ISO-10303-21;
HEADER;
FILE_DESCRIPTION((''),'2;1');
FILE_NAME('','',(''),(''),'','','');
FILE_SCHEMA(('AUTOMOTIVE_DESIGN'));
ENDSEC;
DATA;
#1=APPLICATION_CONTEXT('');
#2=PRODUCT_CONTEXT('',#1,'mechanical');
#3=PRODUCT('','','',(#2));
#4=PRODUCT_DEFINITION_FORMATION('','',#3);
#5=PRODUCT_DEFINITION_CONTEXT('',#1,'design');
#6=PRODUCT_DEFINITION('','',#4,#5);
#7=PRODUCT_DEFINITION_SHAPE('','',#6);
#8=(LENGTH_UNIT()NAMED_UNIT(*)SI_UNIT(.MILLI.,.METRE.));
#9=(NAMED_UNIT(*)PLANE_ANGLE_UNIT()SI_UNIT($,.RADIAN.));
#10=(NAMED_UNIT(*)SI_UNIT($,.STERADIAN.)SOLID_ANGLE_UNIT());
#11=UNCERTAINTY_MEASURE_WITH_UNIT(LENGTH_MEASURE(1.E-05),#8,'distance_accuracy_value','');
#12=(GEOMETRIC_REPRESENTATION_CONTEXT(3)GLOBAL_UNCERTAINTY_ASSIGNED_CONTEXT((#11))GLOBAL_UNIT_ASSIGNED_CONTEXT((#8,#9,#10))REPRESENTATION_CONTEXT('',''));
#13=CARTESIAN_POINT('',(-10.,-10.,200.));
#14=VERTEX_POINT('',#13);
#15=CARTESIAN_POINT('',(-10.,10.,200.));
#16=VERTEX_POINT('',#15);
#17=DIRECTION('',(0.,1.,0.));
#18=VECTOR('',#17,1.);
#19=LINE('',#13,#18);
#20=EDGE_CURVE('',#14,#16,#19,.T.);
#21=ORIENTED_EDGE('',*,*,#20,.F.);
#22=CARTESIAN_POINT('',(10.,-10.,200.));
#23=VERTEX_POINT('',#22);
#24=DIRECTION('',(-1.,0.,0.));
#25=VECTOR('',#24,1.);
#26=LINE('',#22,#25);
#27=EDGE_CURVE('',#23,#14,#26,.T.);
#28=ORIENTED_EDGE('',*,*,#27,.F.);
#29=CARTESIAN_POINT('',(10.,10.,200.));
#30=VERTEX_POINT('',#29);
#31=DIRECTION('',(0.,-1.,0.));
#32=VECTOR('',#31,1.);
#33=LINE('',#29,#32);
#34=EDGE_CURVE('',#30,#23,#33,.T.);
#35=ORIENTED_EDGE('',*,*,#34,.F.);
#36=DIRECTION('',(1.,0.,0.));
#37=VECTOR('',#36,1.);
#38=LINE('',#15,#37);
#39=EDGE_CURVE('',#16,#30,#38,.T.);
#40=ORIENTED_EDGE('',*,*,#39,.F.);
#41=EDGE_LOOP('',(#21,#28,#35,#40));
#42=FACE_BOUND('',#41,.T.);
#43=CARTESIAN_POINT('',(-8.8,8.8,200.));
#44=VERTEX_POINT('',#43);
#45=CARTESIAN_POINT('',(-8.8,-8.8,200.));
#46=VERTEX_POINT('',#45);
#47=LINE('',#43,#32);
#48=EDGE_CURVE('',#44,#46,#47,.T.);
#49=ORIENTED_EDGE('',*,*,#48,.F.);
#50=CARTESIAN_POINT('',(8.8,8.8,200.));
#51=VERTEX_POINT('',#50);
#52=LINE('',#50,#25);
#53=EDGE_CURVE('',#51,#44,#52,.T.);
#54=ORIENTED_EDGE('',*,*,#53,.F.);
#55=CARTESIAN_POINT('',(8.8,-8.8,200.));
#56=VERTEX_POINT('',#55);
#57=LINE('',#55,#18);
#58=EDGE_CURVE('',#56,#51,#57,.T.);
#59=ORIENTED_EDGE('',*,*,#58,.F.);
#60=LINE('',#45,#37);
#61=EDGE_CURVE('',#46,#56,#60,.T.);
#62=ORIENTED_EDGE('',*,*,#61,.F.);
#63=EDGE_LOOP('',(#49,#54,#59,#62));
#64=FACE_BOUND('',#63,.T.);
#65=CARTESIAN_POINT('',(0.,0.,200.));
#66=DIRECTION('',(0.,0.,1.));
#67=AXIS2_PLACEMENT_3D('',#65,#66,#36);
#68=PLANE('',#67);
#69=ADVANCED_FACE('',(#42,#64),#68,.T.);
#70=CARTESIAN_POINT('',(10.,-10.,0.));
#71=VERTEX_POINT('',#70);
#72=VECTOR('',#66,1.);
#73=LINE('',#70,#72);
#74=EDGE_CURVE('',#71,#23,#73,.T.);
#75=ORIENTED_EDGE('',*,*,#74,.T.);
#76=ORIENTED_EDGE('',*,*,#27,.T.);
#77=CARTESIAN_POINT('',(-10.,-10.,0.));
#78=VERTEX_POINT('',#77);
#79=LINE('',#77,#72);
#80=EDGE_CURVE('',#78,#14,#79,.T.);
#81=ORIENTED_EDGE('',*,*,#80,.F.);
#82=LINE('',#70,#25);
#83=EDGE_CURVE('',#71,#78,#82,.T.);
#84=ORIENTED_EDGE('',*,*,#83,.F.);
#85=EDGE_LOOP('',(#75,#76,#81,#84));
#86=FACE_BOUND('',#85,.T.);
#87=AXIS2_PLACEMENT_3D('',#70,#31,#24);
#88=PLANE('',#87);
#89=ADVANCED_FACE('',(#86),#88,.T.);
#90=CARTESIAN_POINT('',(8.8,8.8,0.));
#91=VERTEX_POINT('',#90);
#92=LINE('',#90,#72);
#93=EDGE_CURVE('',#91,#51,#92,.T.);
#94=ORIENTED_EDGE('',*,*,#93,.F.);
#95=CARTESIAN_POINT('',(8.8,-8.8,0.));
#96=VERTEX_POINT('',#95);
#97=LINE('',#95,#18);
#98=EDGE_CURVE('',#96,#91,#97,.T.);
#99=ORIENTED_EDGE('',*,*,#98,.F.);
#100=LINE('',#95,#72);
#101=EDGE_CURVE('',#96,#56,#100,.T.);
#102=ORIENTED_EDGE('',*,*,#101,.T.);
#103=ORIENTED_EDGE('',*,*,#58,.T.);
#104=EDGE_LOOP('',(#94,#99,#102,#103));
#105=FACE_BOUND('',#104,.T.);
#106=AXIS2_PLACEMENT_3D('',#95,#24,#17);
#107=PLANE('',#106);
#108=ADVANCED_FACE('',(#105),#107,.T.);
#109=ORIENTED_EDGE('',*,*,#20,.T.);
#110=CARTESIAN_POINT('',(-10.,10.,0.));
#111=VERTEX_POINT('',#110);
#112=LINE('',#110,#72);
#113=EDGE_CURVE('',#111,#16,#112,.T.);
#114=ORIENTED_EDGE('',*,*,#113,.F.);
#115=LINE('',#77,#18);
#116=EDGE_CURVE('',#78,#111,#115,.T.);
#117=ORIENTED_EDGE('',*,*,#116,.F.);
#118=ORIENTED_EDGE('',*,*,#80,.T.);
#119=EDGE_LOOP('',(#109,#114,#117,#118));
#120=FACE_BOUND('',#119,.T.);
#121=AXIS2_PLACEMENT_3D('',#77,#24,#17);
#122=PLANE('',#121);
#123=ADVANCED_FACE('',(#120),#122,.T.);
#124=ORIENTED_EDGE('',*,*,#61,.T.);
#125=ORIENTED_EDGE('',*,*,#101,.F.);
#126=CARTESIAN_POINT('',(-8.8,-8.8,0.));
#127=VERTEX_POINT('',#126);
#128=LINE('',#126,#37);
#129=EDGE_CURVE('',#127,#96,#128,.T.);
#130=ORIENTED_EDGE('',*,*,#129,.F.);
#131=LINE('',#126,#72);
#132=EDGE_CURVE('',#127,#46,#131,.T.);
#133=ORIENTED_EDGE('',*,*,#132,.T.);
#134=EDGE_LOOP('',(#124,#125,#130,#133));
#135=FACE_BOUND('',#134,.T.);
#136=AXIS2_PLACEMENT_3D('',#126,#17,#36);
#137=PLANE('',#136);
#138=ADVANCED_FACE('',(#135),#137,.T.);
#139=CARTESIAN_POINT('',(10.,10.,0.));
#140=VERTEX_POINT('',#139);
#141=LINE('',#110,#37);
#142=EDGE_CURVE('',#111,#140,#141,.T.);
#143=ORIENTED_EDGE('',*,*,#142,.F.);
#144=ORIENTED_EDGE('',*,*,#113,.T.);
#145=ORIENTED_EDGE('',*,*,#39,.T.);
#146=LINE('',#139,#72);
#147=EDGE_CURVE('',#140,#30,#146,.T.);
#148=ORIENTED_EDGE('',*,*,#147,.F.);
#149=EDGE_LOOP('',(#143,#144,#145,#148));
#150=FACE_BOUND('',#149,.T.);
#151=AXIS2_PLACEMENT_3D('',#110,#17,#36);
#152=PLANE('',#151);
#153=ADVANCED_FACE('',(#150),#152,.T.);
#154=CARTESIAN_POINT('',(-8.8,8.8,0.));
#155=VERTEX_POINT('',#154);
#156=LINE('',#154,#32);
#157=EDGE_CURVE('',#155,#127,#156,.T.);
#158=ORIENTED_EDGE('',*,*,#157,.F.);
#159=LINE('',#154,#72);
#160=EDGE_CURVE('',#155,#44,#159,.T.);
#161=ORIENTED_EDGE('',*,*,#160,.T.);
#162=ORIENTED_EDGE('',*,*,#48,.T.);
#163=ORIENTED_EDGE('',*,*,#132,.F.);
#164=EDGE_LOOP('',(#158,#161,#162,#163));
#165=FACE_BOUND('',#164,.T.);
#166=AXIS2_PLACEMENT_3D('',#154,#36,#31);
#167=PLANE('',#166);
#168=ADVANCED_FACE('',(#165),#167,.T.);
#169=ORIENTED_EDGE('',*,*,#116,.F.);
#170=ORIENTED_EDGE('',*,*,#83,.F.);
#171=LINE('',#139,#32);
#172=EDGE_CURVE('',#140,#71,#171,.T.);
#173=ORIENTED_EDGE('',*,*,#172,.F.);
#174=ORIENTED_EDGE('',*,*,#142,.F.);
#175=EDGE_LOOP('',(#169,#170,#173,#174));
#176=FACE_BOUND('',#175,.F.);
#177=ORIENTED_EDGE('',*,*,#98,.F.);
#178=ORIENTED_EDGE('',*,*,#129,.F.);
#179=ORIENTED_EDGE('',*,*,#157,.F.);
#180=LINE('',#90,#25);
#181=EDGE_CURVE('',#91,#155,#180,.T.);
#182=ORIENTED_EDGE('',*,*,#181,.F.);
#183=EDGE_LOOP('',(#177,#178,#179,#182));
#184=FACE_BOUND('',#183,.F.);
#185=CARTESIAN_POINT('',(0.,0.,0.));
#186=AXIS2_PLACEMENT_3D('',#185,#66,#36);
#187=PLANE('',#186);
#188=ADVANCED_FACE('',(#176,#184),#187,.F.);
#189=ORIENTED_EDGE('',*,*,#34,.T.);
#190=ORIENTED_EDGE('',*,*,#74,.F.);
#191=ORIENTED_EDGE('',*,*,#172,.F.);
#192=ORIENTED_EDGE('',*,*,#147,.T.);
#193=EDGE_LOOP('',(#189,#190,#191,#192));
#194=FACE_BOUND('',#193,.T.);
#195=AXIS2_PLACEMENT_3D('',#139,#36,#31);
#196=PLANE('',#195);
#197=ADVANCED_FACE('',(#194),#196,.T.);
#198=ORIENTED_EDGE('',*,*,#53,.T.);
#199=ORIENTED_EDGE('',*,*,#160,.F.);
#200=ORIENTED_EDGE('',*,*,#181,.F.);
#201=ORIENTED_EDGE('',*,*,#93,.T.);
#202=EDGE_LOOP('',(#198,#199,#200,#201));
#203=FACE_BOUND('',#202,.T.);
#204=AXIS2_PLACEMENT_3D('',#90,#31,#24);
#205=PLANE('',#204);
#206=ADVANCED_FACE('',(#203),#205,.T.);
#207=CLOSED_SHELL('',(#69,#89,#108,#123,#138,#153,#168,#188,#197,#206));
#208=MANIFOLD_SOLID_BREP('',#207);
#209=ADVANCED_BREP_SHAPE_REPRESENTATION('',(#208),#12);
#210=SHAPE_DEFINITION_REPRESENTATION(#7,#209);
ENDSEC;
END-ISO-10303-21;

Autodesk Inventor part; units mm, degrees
ref_plane "YZ Plane" through (0, 0, 0) normal (1, 0, 0) x (0, 1, 0)
ref_plane "XZ Plane" through (0, 0, 0) normal (0, 1, 0) x (-1, 0, 0)
ref_plane "XY Plane" through (0, 0, 0) normal (0, 0, 1) x (1, 0, 0)
sketch "スケッチ1" plane through (0, 0, 0) normal (0, 0, 1) x (1, 0, 0)
  line L0 (-10, 10) -> (10, 10)
  line L1 (10, 10) -> (10, -10)
  line L2 (10, -10) -> (-10, -10)
  line L3 (-10, -10) -> (-10, 10)
  line L4 (8.8, 8.8) -> (-8.8, 8.8)
  line L5 (-8.8, 8.8) -> (-8.8, -8.8)
  line L6 (-8.8, -8.8) -> (8.8, -8.8)
  line L7 (8.8, -8.8) -> (8.8, 8.8)
  point P0 (0, 0)
  point P1 (-10, 0)
  point P2 (0, -10)
  dimension "d0" = 20
  dimension "d1" = 20
  dimension "d2" = 17.6
extrude "押し出し1" add sketch "スケッチ1" along normal blind 200
equation "\"d1\" = d0"
properties part number "STAQ20-200" material "MISUMI"
